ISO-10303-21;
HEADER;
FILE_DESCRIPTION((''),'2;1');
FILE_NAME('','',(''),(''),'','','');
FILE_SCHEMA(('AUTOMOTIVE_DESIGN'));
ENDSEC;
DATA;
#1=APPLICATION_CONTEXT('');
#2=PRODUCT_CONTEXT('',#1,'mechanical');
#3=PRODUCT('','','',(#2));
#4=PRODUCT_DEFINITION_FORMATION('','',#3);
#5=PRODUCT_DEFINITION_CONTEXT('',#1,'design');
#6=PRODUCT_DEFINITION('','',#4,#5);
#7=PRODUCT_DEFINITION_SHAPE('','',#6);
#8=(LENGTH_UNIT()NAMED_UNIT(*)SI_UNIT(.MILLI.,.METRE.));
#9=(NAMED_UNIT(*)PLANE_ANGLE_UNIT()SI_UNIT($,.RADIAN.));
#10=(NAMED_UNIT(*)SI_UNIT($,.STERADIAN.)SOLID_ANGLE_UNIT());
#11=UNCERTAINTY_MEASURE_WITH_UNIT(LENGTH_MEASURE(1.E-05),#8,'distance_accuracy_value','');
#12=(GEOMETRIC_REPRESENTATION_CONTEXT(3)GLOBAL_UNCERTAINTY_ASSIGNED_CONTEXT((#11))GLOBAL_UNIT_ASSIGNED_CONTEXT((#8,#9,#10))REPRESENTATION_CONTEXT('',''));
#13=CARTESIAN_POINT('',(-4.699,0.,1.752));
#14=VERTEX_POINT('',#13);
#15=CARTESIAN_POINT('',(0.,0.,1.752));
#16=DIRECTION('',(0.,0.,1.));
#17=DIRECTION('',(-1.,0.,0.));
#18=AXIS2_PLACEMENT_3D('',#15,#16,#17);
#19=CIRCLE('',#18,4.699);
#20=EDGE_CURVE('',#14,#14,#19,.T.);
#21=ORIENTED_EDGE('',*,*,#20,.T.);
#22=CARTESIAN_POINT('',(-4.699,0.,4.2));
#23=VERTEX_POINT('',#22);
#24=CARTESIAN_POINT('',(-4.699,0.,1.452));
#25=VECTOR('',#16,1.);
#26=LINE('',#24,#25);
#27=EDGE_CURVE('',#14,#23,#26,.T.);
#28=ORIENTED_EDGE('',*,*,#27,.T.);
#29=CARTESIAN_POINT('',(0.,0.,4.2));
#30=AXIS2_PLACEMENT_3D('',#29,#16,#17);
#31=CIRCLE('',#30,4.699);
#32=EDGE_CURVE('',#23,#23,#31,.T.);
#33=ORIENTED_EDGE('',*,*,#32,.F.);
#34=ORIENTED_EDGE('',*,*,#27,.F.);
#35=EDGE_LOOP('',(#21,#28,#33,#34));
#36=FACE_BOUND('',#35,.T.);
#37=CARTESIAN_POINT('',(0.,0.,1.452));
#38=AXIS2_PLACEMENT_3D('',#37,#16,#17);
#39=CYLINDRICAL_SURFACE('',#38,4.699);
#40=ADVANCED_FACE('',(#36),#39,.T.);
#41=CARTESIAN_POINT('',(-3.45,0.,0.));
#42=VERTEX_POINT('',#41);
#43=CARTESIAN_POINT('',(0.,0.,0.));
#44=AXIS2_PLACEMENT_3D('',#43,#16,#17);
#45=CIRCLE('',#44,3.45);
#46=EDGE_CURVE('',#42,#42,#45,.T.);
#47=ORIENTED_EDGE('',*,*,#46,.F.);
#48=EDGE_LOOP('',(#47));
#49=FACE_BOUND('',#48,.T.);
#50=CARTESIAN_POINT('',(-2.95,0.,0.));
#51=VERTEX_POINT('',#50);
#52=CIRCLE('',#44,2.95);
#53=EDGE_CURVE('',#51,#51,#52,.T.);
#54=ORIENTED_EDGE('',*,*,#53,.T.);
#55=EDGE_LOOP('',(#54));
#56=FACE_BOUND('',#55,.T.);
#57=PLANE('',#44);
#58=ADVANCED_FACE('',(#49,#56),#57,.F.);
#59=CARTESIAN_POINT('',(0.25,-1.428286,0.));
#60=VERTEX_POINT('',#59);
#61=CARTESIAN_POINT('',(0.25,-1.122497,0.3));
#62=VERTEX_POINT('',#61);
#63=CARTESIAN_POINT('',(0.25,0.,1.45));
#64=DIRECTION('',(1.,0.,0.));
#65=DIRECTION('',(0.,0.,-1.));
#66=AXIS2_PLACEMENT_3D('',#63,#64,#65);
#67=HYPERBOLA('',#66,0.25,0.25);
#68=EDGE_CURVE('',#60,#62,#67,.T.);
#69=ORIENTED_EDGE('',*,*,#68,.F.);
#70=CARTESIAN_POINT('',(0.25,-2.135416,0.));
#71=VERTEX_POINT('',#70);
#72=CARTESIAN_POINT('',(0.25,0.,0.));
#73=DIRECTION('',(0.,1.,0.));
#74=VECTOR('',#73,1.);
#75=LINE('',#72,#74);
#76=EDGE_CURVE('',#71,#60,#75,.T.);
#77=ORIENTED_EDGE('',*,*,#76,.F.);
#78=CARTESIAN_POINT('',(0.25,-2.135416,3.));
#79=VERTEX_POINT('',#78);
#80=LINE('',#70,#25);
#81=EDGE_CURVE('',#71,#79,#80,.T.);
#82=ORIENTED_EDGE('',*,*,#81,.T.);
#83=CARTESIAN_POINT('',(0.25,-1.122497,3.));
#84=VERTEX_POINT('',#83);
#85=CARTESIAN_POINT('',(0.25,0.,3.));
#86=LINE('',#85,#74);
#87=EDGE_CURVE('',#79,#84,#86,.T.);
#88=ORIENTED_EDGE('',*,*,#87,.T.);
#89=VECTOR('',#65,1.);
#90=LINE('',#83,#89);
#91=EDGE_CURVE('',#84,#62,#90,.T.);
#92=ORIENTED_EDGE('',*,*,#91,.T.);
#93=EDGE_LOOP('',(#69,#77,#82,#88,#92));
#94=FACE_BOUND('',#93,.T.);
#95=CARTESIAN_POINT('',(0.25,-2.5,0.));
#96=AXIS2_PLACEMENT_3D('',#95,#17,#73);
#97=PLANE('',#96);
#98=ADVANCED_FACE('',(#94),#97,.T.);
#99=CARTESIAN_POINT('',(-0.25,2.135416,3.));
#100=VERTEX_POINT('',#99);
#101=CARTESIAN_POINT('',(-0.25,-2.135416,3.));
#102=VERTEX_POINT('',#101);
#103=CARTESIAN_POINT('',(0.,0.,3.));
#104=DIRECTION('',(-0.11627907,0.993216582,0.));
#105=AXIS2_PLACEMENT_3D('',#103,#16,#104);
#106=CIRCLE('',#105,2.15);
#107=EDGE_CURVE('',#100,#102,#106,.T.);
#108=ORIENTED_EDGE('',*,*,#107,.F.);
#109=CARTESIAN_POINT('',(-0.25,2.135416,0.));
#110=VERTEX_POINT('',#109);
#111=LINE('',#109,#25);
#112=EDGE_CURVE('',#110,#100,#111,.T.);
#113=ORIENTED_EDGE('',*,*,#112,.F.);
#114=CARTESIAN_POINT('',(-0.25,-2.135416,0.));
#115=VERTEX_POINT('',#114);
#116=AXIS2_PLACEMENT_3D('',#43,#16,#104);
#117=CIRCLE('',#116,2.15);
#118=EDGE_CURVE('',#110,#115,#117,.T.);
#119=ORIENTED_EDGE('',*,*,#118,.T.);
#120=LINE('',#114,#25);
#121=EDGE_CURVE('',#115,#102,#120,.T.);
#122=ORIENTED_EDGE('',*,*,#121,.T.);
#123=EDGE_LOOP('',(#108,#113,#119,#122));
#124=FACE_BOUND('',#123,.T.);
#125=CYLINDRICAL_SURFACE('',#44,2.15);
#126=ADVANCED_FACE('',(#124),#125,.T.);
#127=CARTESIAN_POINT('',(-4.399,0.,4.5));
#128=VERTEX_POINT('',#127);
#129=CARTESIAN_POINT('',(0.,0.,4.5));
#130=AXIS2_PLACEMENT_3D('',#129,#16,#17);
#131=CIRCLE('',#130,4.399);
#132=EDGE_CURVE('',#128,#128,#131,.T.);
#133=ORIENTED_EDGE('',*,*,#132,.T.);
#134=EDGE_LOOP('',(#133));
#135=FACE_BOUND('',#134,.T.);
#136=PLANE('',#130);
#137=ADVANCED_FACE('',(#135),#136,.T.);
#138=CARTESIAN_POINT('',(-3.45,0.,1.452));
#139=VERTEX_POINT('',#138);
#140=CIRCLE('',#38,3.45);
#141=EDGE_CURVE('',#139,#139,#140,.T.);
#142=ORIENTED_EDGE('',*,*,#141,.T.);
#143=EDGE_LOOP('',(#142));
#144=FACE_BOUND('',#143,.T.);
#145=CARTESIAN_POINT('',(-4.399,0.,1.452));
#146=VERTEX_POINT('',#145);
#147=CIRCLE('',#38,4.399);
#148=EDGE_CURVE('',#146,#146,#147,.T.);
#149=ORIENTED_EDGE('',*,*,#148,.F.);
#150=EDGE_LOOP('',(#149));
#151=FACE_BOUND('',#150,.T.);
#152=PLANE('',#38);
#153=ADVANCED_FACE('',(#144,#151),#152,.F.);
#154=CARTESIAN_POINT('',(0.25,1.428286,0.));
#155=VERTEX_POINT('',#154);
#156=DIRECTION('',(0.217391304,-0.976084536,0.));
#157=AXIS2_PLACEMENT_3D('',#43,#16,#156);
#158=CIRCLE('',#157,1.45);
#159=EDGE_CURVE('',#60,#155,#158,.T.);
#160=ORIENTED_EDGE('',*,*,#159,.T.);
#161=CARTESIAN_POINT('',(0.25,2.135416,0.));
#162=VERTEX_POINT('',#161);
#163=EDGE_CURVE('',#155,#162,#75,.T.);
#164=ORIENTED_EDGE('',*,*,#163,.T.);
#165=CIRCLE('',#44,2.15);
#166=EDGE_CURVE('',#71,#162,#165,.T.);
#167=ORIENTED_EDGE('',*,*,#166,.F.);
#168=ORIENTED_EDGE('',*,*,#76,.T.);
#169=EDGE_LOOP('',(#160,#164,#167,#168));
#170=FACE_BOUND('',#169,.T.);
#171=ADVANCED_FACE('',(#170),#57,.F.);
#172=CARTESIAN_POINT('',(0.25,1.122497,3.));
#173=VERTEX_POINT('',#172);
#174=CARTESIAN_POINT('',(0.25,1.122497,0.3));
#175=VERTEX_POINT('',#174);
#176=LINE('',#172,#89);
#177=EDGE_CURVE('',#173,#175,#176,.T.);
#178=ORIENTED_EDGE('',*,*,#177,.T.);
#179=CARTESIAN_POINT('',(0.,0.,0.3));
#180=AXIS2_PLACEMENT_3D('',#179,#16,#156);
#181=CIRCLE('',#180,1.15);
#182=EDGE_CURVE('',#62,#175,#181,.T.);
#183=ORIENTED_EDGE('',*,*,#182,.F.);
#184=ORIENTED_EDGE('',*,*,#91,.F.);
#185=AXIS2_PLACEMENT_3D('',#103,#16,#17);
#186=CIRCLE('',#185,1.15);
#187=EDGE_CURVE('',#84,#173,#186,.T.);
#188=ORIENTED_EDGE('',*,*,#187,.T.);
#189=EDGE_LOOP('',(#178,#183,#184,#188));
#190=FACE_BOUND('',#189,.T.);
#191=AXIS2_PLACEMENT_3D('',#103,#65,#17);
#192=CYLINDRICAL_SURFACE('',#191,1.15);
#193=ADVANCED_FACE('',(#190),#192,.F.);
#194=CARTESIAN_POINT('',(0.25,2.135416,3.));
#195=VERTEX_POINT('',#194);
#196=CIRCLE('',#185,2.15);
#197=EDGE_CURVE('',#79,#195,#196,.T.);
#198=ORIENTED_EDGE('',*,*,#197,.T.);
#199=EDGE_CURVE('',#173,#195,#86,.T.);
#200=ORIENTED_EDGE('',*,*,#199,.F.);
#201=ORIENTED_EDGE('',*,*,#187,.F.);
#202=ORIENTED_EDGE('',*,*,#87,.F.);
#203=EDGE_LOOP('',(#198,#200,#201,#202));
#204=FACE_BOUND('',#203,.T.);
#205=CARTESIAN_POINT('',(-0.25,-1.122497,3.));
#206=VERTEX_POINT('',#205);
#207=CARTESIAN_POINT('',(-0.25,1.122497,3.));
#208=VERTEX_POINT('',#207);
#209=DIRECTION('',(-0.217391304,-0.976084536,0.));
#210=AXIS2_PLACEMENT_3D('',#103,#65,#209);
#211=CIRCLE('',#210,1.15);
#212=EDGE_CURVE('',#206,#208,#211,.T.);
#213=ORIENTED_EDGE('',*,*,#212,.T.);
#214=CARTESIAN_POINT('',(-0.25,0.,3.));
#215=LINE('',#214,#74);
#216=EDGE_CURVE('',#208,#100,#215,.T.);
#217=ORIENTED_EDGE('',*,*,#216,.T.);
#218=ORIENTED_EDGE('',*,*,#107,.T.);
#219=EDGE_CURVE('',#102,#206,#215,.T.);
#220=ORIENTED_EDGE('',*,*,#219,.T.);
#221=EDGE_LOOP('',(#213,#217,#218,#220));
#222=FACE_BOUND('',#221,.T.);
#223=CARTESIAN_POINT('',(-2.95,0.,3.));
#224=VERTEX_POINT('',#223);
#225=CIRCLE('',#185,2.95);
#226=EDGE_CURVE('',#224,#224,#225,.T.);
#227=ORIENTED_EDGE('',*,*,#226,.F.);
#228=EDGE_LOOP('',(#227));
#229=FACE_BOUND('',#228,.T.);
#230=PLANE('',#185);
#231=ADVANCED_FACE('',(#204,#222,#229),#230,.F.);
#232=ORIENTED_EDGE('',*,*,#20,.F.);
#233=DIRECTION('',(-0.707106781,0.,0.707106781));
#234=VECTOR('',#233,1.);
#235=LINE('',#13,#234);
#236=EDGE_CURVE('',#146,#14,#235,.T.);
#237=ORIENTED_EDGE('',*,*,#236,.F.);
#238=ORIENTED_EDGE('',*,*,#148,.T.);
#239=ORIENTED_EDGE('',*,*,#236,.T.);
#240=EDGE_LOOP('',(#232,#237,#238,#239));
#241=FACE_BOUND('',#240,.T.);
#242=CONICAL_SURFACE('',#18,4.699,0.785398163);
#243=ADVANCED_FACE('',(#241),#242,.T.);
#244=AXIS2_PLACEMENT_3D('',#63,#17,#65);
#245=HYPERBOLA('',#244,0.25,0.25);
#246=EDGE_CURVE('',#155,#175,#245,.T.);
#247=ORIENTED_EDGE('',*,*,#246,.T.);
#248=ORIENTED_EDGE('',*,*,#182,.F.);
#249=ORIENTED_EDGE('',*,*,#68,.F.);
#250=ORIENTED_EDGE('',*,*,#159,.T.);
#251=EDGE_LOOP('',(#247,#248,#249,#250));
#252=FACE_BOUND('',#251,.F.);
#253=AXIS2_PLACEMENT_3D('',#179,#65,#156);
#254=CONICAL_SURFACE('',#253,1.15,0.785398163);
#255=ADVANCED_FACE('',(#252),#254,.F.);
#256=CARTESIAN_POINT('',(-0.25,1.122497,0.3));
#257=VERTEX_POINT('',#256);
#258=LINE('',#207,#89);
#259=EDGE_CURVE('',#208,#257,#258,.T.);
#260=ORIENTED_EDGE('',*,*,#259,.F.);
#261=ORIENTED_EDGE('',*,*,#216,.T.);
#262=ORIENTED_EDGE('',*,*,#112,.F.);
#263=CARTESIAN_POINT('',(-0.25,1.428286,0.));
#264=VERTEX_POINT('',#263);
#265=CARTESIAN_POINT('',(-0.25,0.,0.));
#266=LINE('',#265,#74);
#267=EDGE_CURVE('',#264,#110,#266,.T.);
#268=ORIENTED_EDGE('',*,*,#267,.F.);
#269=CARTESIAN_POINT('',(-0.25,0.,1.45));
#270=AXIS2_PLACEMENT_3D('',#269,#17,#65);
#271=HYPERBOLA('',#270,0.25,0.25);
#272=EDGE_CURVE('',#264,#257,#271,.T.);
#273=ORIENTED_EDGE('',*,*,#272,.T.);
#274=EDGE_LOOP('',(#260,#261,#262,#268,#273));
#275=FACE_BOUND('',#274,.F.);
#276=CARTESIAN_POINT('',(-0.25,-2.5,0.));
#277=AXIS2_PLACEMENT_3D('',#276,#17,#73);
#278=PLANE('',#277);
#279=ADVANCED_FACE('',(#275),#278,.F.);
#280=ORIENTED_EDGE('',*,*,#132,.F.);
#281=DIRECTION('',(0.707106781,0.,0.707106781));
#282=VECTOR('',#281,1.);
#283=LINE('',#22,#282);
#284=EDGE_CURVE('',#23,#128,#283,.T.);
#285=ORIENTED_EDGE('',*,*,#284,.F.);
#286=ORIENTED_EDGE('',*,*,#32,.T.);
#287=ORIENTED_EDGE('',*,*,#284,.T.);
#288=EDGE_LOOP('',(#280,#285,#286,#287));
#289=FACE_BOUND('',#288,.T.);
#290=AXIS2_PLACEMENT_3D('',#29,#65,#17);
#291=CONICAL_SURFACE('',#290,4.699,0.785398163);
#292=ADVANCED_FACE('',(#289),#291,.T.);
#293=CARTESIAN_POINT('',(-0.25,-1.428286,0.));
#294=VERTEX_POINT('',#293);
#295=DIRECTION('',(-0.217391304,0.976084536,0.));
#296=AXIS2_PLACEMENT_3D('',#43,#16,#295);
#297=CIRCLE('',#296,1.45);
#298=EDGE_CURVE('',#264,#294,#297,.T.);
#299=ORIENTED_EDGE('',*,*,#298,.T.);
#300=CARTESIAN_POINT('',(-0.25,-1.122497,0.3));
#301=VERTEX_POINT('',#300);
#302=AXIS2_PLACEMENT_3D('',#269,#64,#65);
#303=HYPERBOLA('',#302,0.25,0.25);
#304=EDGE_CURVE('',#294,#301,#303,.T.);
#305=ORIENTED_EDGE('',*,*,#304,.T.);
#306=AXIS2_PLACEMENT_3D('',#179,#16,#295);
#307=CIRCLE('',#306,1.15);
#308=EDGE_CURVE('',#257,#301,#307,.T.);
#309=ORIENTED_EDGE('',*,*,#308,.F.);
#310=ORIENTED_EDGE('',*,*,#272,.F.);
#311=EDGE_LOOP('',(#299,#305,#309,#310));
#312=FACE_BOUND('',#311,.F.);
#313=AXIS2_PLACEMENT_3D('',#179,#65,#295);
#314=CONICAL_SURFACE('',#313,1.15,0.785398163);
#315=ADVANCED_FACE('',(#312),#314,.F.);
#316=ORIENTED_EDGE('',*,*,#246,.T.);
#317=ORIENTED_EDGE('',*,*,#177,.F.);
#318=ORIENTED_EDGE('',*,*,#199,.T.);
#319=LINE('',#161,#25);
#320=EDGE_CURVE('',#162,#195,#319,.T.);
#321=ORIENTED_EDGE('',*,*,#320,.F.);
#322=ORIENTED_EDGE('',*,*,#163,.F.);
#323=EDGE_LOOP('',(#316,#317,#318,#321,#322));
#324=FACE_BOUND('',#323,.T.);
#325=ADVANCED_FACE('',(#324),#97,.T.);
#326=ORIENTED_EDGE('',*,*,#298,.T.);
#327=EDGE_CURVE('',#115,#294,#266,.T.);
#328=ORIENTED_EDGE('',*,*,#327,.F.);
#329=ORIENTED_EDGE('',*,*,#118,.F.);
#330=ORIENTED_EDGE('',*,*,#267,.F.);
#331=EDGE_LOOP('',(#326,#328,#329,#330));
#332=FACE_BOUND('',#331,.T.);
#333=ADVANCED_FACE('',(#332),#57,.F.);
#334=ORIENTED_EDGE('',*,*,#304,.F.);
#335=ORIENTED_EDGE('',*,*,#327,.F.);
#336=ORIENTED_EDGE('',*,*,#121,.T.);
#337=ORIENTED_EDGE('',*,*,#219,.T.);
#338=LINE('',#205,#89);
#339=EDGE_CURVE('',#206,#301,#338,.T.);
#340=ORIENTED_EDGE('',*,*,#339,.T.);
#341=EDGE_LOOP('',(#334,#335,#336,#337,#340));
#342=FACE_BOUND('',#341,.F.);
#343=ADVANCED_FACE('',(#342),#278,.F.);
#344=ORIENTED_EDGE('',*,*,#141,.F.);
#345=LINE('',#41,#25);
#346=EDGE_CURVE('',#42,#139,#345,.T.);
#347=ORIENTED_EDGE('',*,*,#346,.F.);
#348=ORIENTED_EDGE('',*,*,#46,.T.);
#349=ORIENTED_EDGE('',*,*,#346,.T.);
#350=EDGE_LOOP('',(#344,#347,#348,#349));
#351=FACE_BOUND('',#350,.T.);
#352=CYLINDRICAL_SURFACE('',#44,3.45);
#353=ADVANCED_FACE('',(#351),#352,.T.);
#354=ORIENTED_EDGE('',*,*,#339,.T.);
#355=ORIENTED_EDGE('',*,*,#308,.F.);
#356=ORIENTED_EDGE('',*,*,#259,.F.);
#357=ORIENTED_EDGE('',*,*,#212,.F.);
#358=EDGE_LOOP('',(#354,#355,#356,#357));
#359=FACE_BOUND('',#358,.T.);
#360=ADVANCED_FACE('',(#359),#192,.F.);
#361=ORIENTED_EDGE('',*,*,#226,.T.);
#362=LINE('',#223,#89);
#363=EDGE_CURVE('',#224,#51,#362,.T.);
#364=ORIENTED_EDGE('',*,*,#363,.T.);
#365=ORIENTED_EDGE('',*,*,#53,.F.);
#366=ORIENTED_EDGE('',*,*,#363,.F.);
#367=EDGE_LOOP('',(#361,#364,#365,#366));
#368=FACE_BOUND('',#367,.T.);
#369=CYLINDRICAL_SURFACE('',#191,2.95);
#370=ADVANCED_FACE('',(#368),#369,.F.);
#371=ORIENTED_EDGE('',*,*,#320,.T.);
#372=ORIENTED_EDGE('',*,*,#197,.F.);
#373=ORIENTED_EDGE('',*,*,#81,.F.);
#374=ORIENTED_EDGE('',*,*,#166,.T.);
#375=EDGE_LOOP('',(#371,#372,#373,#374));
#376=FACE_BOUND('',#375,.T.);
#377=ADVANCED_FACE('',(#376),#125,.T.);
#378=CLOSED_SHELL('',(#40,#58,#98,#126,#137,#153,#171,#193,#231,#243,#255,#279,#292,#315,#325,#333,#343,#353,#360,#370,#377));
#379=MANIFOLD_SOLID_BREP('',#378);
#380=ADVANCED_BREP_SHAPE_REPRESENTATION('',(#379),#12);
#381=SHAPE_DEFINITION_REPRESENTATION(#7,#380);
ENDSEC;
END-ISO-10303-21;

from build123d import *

# Parameters (mm, degrees)
SKETCH012_W     = 0.5
SKETCH012_H     = 5
POCKET002_DEPTH = 3
CHAMFER001_SIZE = 0.3


with BuildPart() as part:
    # Sketch011 → Revolution003 (revolve)
    with BuildSketch(Plane.XZ):
        Polygon((-3.45, 0), (-3.45, 1.452), (-4.699, 1.452), (-4.699, 4.5), (0, 4.5), (0, 3), (-1.15, 3), (-1.15, 0), (-2.15, 0), (-2.15, 3), (-2.95, 3), (-2.95, 0), align=None)
    revolve(axis=Axis((0, 0, 0), (0, 0, 1)))

    # Sketch012 → Pocket002 (cut)
    with BuildSketch(Plane.XY):
        Rectangle(SKETCH012_W, SKETCH012_H)
    extrude(amount=POCKET002_DEPTH, mode=Mode.SUBTRACT)

    # Chamfer001
    chamfer001_edges = [part.edges().sort_by_distance(p)[0] for p in [
        (4.699, 0, 4.5),
        (4.699, 0, 1.452),
        (1.15, 0, 0),
        (-0.897218, 0.719375, 0),
    ]]
    chamfer(chamfer001_edges, length=CHAMFER001_SIZE)


solid = part.part
